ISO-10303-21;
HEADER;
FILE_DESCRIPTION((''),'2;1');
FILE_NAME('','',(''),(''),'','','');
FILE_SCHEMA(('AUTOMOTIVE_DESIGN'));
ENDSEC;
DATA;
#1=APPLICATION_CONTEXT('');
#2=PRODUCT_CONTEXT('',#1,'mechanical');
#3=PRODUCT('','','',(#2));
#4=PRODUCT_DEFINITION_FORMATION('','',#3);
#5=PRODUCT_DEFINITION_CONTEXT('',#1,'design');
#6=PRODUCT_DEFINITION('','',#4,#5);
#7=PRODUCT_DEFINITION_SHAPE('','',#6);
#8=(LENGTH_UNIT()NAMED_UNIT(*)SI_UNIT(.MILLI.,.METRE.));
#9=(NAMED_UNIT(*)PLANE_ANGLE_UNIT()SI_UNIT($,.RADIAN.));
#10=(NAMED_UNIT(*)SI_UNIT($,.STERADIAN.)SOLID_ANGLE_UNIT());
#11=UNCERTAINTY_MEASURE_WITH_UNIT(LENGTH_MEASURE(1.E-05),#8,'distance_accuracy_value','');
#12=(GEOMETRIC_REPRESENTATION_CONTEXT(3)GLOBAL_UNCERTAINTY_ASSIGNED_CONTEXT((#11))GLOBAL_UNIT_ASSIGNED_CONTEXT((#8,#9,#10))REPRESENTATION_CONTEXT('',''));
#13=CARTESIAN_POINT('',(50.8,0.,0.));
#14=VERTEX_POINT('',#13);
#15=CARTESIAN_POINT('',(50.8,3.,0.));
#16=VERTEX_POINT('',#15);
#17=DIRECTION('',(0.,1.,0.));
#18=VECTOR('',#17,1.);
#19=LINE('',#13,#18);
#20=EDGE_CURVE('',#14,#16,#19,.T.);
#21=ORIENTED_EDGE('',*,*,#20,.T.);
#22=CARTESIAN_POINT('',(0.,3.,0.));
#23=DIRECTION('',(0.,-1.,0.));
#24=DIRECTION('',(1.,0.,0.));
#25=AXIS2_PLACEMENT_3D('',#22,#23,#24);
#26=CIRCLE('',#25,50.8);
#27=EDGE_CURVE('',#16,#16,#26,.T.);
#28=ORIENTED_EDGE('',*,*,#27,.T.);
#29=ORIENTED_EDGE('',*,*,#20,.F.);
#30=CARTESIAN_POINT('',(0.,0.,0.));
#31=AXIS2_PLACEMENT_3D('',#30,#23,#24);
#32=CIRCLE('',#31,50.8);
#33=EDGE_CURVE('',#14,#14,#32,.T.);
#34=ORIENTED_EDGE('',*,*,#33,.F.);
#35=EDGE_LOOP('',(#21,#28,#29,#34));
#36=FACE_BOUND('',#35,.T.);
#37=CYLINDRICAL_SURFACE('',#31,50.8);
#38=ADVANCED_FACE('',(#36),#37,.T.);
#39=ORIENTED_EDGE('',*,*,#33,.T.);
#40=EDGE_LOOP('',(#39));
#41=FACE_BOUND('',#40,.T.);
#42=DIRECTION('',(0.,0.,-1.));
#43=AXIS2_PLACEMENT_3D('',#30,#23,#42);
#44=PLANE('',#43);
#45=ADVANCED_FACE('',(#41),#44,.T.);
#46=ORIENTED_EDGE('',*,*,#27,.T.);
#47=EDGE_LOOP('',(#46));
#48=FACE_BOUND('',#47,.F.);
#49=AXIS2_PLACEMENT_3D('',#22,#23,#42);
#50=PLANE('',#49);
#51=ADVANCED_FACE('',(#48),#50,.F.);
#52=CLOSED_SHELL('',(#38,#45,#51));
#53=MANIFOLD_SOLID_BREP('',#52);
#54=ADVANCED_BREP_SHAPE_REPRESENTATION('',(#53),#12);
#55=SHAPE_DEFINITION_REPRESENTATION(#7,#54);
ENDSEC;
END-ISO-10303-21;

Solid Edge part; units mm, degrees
sketch "Sketch1" plane through (0, 0, 0) normal (0, -1, 0) x (1, 0, 0)
  circle A0 centre (0, 0) radius 50.8
extrude "Protrusion1" add sketch "Sketch1" against normal blind 3
extrude "ExtrudedProtrusion_2" [suppressed]
